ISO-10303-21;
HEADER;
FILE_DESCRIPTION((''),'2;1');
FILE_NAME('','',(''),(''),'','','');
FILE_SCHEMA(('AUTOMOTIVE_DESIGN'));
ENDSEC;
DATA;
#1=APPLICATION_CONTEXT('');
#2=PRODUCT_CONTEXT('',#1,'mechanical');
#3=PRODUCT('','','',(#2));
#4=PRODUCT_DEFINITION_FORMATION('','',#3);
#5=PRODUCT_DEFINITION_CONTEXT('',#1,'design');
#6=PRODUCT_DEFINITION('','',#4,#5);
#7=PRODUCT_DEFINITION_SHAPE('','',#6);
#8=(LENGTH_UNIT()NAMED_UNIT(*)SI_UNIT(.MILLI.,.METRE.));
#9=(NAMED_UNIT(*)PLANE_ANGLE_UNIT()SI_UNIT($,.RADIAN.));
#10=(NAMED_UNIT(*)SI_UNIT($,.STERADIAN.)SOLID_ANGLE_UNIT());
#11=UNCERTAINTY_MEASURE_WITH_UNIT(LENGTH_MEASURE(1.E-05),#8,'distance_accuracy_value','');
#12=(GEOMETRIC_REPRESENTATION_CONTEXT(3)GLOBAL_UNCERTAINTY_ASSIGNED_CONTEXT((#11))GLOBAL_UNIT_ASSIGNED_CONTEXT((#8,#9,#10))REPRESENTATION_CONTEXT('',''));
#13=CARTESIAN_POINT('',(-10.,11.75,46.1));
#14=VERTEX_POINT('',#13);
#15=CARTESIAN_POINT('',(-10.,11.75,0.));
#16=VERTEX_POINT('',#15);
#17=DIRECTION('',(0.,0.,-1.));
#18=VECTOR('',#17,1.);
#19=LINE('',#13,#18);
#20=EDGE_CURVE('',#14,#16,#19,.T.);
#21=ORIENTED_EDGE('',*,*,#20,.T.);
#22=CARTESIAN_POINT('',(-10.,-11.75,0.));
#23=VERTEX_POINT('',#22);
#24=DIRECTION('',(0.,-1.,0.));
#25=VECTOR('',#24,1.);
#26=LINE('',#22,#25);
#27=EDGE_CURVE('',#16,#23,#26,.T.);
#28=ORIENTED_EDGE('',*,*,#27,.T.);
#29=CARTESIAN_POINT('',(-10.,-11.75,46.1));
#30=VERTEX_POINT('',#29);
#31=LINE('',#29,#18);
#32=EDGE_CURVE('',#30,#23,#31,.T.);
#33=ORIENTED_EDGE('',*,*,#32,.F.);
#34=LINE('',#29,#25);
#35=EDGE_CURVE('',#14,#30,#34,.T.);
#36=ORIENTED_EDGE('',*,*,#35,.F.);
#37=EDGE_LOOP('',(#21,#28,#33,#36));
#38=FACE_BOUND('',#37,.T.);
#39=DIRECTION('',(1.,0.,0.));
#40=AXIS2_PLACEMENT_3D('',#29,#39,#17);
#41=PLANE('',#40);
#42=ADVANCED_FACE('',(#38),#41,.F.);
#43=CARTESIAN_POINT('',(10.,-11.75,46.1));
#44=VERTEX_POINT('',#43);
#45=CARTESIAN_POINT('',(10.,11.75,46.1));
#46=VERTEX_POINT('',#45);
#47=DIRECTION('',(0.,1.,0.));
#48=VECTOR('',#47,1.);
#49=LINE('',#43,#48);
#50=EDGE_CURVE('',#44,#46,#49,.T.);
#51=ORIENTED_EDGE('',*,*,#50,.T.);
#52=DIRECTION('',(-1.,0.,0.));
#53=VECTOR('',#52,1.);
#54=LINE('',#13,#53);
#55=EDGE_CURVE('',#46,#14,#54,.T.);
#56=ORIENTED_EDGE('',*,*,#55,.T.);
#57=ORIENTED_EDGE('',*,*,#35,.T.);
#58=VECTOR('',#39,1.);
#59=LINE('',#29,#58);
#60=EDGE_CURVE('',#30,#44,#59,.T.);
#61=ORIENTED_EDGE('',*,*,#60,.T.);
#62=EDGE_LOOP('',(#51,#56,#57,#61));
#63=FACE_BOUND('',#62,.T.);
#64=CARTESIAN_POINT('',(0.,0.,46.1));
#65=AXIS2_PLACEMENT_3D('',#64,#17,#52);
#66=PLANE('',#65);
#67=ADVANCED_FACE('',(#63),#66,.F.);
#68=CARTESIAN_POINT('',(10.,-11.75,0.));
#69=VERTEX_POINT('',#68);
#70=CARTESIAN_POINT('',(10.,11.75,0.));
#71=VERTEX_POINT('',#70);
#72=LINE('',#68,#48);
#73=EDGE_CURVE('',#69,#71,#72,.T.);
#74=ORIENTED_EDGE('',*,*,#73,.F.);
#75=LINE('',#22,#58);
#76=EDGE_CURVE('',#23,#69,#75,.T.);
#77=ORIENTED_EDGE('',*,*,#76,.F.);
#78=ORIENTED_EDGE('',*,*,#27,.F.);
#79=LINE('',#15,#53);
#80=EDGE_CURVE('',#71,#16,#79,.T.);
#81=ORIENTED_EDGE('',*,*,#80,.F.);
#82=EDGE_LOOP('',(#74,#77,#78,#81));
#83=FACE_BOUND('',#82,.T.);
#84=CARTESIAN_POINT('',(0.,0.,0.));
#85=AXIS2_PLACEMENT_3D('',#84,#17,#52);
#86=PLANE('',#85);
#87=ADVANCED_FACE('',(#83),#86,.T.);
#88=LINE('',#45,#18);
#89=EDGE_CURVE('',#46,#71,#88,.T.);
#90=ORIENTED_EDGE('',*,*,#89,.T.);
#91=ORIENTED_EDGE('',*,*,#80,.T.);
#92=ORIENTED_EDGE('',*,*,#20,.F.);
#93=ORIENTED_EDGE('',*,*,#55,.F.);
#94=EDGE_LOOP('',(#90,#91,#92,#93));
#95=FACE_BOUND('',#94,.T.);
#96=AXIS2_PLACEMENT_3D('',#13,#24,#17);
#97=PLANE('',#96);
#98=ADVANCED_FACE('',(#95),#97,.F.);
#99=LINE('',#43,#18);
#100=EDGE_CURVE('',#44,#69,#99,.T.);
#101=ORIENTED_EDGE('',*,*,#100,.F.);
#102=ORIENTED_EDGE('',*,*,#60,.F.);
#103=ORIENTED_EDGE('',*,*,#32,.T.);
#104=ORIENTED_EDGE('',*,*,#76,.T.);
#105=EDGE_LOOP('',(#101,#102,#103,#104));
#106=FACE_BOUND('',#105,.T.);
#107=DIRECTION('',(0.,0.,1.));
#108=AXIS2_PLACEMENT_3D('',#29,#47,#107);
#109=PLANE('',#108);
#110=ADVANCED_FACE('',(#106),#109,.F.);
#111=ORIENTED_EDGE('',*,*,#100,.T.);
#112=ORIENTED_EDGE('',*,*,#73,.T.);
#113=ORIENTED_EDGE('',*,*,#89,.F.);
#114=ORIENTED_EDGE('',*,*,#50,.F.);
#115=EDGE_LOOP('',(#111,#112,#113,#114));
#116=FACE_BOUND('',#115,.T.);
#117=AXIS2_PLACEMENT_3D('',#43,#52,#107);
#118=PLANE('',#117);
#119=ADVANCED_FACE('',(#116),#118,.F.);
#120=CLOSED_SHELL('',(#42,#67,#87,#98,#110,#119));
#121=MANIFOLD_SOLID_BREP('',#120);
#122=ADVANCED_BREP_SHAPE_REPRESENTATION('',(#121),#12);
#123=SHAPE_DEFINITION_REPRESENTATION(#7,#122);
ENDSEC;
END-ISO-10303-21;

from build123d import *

# Parameters (mm, degrees)
SKETCH1_W      = 20
SKETCH1_H      = 23.5
ENVELOPE_DEPTH = 46.1


with BuildPart() as part:
    # Sketch1 → Envelope (new body)
    with BuildSketch(Plane.XY):
        Rectangle(SKETCH1_W, SKETCH1_H)
    extrude(amount=ENVELOPE_DEPTH)


solid = part.part
